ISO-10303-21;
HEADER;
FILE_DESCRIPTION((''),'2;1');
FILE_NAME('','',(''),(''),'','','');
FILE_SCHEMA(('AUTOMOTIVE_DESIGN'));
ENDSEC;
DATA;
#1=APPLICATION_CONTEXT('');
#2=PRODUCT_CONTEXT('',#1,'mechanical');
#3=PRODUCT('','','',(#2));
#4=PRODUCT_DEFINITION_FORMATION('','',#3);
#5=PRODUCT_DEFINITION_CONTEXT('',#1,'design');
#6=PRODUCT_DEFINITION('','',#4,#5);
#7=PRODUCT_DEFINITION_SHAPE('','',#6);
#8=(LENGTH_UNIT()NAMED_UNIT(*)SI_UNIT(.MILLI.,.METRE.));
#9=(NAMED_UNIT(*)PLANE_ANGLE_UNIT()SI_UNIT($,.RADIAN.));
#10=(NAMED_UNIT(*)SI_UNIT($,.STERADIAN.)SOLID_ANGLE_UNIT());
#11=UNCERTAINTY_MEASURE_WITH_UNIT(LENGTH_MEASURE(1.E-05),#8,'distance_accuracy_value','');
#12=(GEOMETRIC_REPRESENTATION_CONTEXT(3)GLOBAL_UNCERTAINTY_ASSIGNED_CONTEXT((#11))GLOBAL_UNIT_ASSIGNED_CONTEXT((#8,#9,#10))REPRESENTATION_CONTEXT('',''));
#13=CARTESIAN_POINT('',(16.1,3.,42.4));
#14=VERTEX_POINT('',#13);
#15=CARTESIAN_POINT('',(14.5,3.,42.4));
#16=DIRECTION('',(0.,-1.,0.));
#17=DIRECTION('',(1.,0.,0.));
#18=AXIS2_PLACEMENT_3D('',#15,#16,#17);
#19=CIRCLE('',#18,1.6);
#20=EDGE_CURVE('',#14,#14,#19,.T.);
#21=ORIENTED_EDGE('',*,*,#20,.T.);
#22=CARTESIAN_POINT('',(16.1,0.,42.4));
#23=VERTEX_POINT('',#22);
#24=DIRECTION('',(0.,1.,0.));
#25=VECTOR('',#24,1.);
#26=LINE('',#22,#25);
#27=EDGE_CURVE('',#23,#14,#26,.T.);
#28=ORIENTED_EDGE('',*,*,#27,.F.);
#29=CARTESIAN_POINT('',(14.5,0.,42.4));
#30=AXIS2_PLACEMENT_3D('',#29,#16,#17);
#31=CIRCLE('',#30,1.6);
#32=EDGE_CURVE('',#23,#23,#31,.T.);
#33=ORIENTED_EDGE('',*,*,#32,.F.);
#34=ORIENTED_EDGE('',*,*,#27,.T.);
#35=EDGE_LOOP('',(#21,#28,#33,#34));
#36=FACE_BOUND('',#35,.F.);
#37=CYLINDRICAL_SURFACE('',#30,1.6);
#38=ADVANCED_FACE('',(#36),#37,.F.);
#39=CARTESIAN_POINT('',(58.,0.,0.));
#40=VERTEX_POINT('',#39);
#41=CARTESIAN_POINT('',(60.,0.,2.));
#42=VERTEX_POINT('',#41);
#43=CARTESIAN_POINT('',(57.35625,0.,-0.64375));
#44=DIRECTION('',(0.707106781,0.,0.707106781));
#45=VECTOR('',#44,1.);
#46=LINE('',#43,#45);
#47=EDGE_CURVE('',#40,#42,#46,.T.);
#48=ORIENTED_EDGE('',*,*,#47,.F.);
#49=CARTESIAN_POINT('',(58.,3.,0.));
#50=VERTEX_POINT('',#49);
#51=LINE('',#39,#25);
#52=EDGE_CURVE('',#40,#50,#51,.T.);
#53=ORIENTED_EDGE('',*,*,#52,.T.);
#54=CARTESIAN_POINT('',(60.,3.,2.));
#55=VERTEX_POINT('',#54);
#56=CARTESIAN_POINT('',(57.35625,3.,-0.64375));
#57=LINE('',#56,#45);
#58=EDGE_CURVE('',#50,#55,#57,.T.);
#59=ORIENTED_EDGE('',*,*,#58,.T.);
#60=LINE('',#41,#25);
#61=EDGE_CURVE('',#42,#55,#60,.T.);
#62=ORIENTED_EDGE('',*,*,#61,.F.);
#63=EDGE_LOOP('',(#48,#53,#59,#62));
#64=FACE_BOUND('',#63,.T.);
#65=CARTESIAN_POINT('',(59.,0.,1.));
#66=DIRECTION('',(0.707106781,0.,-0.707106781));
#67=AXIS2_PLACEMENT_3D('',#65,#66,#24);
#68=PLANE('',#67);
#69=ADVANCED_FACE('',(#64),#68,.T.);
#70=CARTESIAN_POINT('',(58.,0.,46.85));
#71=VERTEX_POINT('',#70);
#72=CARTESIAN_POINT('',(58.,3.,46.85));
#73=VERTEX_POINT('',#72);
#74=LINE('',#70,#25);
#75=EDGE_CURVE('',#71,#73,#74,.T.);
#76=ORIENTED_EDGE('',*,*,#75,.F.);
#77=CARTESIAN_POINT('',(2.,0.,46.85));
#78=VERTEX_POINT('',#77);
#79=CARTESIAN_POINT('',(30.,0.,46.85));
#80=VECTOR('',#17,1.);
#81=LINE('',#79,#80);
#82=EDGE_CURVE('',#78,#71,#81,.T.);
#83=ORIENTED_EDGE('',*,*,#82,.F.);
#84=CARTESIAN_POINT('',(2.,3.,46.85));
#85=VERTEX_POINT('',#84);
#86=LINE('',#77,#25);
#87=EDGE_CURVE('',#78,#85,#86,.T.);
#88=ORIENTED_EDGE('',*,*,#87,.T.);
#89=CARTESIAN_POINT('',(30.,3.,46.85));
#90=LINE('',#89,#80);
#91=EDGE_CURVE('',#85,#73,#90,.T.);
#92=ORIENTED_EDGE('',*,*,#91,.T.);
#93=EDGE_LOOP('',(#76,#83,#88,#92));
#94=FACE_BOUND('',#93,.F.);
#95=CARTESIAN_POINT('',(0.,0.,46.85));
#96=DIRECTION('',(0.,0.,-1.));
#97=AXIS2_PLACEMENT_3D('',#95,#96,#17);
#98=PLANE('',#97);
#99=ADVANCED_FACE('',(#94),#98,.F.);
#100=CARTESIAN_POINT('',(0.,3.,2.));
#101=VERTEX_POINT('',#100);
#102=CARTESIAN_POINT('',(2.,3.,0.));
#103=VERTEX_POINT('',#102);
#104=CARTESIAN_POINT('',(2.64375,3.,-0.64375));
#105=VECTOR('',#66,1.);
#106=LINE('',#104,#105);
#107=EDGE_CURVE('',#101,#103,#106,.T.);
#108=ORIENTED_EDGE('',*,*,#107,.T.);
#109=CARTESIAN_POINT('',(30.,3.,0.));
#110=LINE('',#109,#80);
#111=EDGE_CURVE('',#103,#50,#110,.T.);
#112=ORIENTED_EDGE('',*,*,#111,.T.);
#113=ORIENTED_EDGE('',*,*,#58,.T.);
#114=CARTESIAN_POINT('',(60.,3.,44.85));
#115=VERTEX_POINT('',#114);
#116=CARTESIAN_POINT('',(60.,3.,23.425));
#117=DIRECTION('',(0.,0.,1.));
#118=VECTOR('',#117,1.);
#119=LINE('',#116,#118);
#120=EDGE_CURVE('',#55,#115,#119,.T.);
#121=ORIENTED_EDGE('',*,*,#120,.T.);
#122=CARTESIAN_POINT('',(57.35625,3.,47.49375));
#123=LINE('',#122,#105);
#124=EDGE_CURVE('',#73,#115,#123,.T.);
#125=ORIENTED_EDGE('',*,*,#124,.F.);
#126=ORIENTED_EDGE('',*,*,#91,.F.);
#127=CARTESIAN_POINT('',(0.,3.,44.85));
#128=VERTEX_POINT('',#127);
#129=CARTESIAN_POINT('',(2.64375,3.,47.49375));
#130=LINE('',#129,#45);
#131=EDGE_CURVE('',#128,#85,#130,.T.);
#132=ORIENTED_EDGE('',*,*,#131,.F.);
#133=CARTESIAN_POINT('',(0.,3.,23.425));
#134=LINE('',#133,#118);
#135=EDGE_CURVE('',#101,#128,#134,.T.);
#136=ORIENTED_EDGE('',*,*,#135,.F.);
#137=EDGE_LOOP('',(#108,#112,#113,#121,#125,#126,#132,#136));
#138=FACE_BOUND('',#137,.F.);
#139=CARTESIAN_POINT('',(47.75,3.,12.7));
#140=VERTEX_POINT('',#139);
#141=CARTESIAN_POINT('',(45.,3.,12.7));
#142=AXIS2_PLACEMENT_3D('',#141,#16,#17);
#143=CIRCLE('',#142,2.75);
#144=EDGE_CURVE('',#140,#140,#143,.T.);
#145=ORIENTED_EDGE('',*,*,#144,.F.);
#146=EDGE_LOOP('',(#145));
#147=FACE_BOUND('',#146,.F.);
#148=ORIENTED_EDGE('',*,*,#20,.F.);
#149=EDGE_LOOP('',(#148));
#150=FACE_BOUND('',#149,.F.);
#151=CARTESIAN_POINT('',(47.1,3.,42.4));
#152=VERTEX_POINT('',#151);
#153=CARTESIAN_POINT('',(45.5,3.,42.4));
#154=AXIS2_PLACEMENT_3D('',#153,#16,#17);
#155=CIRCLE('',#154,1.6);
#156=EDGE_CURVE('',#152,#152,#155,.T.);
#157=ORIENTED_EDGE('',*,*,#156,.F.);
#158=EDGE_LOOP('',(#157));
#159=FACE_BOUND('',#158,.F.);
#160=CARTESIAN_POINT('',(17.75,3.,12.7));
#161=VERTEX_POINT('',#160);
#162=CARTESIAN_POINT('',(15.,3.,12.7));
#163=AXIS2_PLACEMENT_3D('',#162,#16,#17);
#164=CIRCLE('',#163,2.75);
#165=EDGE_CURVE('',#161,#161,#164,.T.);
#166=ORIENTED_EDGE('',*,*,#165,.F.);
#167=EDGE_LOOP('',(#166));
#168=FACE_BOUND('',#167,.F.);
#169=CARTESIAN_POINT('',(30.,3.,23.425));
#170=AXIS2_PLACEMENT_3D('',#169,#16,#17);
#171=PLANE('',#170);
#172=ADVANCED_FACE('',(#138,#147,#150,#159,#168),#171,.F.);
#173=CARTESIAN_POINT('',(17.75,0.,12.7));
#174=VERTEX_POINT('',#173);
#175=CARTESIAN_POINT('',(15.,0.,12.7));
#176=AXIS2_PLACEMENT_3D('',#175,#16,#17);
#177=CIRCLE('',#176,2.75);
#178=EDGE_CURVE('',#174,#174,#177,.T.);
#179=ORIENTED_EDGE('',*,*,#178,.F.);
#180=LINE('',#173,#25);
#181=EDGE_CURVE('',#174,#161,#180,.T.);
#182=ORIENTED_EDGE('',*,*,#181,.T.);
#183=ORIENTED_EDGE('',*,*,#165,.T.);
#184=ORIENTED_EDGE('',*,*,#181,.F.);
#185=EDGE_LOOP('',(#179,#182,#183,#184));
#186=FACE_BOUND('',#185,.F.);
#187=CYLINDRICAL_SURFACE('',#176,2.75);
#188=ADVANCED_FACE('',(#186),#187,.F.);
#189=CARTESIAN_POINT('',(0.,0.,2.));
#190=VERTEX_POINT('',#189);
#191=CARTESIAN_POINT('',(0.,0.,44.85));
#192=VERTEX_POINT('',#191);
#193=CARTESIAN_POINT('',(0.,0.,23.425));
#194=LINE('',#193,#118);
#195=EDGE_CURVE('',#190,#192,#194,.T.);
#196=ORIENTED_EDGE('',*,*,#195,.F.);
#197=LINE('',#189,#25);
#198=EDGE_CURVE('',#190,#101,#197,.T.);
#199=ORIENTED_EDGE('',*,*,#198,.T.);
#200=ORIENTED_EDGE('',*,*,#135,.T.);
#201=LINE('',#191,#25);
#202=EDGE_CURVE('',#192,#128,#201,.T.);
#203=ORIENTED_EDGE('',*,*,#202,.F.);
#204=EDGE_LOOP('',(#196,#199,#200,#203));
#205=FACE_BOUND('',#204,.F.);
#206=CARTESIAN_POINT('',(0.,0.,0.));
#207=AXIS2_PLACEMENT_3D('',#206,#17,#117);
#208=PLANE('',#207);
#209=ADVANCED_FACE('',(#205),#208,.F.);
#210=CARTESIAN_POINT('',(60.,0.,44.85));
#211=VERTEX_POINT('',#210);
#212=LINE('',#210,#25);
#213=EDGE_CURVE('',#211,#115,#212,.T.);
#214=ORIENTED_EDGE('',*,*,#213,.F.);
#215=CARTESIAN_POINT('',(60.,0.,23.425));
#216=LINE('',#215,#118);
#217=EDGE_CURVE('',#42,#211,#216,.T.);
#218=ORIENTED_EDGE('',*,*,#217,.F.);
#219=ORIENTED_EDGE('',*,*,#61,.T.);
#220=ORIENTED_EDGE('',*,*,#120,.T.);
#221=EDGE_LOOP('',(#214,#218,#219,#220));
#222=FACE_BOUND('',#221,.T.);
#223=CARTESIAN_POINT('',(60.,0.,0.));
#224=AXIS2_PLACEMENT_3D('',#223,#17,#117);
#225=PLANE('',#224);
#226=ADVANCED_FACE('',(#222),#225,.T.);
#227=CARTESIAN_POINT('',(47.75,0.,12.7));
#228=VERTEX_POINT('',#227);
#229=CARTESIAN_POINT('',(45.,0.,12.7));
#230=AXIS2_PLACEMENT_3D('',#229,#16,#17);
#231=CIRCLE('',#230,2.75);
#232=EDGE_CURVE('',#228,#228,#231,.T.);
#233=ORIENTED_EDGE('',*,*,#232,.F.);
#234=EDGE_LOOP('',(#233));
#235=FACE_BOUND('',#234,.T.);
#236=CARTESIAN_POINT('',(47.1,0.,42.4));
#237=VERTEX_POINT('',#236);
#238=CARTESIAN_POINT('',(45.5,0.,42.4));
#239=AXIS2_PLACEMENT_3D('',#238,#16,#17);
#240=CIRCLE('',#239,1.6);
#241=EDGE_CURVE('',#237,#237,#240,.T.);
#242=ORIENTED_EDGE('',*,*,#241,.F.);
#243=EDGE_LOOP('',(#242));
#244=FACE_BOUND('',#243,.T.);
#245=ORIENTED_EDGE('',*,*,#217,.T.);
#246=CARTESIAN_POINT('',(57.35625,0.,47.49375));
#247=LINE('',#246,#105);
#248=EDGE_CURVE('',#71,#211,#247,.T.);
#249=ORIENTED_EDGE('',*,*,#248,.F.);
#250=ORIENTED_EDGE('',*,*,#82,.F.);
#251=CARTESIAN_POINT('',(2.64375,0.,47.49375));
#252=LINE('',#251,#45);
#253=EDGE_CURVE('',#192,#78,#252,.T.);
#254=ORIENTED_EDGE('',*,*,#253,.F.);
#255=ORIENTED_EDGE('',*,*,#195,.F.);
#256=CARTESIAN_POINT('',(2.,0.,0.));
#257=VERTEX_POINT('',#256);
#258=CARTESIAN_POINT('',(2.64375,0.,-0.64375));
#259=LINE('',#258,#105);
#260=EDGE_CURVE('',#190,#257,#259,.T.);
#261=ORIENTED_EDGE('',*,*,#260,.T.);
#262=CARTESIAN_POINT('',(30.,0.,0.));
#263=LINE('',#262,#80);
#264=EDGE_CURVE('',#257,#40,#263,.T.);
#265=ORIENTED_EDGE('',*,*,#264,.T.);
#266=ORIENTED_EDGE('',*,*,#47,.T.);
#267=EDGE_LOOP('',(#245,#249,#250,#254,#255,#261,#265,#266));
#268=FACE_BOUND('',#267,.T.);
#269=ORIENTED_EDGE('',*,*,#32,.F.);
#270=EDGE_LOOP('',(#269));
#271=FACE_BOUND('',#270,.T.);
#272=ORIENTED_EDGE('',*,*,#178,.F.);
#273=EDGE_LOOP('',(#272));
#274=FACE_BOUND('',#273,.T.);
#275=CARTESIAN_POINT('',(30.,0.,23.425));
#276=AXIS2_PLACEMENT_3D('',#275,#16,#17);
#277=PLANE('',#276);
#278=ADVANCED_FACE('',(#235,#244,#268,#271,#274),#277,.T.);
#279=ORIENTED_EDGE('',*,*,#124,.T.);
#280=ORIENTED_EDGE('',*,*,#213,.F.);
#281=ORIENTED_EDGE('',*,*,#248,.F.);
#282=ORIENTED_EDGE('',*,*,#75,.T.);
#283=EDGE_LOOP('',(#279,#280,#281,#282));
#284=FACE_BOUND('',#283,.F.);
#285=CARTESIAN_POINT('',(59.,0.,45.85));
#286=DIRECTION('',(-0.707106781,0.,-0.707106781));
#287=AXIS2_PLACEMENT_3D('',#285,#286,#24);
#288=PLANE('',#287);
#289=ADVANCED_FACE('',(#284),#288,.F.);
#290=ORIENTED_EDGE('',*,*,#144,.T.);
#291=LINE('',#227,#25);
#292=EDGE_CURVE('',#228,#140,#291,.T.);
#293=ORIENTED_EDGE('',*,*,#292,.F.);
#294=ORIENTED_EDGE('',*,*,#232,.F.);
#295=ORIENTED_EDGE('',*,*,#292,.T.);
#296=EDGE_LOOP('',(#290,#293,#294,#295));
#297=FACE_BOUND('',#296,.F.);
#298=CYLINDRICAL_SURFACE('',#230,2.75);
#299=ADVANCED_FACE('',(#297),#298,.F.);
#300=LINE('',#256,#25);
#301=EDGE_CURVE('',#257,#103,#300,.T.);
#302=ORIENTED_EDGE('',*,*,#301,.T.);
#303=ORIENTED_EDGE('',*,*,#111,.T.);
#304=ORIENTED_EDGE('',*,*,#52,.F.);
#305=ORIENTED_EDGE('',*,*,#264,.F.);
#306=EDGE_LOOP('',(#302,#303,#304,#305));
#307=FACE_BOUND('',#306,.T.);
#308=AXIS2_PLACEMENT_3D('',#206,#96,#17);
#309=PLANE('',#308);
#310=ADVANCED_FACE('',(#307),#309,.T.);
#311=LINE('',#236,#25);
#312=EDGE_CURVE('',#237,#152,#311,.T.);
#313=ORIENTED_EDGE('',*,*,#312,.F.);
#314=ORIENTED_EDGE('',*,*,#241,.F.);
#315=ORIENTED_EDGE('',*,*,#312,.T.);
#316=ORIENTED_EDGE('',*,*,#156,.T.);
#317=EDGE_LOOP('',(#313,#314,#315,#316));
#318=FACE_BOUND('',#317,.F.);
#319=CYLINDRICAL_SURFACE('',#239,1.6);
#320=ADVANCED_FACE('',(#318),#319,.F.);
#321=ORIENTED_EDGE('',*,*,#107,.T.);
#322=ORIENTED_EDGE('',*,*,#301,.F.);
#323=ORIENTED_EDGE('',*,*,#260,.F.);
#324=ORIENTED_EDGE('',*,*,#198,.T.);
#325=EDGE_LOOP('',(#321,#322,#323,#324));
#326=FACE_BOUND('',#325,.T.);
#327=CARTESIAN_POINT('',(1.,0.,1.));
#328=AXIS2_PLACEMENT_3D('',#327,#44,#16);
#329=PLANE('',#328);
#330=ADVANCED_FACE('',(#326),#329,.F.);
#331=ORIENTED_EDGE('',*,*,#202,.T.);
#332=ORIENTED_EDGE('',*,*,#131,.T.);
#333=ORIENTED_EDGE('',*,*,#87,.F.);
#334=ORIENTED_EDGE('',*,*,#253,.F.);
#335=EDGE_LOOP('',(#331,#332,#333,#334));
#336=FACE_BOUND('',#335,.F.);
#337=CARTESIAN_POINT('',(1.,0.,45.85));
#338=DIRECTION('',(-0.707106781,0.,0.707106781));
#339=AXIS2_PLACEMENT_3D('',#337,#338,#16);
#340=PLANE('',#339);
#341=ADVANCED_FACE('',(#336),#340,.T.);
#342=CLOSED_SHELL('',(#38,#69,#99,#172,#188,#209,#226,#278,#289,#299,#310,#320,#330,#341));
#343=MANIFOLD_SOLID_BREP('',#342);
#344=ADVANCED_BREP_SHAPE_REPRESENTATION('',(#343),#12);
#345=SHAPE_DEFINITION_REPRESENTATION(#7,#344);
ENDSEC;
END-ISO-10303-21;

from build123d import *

# Parameters (mm, degrees)
F0_W     = 60
F0_H     = 46.85
F0_R     = 2.75
F0_R_2   = 1.6
F1_DEPTH = 3
F2_SIZE  = 2


with BuildPart() as f1:
    # F0 (on Front) → F1 (new body)
    with BuildSketch(Plane.XZ):
        with Locations((30, 23.425)):
            Rectangle(F0_W, F0_H)
        with Locations((15, 12.7)):
            Circle(F0_R, mode=Mode.SUBTRACT)
        with Locations((45, 12.7)):
            Circle(F0_R, mode=Mode.SUBTRACT)
        with Locations((14.5, 42.4)):
            Circle(F0_R_2, mode=Mode.SUBTRACT)
        with Locations((45.5, 42.4)):
            Circle(F0_R_2, mode=Mode.SUBTRACT)
    extrude(amount=-F1_DEPTH)

    # F2
    f2_edges = [f1.edges().sort_by_distance(p)[0] for p in [
        (0, 1.5, 46.85),
        (0, 1.5, 0),
        (60, 1.5, 0),
        (60, 1.5, 46.85),
    ]]
    chamfer(f2_edges, length=F2_SIZE)


solid = f1.part
